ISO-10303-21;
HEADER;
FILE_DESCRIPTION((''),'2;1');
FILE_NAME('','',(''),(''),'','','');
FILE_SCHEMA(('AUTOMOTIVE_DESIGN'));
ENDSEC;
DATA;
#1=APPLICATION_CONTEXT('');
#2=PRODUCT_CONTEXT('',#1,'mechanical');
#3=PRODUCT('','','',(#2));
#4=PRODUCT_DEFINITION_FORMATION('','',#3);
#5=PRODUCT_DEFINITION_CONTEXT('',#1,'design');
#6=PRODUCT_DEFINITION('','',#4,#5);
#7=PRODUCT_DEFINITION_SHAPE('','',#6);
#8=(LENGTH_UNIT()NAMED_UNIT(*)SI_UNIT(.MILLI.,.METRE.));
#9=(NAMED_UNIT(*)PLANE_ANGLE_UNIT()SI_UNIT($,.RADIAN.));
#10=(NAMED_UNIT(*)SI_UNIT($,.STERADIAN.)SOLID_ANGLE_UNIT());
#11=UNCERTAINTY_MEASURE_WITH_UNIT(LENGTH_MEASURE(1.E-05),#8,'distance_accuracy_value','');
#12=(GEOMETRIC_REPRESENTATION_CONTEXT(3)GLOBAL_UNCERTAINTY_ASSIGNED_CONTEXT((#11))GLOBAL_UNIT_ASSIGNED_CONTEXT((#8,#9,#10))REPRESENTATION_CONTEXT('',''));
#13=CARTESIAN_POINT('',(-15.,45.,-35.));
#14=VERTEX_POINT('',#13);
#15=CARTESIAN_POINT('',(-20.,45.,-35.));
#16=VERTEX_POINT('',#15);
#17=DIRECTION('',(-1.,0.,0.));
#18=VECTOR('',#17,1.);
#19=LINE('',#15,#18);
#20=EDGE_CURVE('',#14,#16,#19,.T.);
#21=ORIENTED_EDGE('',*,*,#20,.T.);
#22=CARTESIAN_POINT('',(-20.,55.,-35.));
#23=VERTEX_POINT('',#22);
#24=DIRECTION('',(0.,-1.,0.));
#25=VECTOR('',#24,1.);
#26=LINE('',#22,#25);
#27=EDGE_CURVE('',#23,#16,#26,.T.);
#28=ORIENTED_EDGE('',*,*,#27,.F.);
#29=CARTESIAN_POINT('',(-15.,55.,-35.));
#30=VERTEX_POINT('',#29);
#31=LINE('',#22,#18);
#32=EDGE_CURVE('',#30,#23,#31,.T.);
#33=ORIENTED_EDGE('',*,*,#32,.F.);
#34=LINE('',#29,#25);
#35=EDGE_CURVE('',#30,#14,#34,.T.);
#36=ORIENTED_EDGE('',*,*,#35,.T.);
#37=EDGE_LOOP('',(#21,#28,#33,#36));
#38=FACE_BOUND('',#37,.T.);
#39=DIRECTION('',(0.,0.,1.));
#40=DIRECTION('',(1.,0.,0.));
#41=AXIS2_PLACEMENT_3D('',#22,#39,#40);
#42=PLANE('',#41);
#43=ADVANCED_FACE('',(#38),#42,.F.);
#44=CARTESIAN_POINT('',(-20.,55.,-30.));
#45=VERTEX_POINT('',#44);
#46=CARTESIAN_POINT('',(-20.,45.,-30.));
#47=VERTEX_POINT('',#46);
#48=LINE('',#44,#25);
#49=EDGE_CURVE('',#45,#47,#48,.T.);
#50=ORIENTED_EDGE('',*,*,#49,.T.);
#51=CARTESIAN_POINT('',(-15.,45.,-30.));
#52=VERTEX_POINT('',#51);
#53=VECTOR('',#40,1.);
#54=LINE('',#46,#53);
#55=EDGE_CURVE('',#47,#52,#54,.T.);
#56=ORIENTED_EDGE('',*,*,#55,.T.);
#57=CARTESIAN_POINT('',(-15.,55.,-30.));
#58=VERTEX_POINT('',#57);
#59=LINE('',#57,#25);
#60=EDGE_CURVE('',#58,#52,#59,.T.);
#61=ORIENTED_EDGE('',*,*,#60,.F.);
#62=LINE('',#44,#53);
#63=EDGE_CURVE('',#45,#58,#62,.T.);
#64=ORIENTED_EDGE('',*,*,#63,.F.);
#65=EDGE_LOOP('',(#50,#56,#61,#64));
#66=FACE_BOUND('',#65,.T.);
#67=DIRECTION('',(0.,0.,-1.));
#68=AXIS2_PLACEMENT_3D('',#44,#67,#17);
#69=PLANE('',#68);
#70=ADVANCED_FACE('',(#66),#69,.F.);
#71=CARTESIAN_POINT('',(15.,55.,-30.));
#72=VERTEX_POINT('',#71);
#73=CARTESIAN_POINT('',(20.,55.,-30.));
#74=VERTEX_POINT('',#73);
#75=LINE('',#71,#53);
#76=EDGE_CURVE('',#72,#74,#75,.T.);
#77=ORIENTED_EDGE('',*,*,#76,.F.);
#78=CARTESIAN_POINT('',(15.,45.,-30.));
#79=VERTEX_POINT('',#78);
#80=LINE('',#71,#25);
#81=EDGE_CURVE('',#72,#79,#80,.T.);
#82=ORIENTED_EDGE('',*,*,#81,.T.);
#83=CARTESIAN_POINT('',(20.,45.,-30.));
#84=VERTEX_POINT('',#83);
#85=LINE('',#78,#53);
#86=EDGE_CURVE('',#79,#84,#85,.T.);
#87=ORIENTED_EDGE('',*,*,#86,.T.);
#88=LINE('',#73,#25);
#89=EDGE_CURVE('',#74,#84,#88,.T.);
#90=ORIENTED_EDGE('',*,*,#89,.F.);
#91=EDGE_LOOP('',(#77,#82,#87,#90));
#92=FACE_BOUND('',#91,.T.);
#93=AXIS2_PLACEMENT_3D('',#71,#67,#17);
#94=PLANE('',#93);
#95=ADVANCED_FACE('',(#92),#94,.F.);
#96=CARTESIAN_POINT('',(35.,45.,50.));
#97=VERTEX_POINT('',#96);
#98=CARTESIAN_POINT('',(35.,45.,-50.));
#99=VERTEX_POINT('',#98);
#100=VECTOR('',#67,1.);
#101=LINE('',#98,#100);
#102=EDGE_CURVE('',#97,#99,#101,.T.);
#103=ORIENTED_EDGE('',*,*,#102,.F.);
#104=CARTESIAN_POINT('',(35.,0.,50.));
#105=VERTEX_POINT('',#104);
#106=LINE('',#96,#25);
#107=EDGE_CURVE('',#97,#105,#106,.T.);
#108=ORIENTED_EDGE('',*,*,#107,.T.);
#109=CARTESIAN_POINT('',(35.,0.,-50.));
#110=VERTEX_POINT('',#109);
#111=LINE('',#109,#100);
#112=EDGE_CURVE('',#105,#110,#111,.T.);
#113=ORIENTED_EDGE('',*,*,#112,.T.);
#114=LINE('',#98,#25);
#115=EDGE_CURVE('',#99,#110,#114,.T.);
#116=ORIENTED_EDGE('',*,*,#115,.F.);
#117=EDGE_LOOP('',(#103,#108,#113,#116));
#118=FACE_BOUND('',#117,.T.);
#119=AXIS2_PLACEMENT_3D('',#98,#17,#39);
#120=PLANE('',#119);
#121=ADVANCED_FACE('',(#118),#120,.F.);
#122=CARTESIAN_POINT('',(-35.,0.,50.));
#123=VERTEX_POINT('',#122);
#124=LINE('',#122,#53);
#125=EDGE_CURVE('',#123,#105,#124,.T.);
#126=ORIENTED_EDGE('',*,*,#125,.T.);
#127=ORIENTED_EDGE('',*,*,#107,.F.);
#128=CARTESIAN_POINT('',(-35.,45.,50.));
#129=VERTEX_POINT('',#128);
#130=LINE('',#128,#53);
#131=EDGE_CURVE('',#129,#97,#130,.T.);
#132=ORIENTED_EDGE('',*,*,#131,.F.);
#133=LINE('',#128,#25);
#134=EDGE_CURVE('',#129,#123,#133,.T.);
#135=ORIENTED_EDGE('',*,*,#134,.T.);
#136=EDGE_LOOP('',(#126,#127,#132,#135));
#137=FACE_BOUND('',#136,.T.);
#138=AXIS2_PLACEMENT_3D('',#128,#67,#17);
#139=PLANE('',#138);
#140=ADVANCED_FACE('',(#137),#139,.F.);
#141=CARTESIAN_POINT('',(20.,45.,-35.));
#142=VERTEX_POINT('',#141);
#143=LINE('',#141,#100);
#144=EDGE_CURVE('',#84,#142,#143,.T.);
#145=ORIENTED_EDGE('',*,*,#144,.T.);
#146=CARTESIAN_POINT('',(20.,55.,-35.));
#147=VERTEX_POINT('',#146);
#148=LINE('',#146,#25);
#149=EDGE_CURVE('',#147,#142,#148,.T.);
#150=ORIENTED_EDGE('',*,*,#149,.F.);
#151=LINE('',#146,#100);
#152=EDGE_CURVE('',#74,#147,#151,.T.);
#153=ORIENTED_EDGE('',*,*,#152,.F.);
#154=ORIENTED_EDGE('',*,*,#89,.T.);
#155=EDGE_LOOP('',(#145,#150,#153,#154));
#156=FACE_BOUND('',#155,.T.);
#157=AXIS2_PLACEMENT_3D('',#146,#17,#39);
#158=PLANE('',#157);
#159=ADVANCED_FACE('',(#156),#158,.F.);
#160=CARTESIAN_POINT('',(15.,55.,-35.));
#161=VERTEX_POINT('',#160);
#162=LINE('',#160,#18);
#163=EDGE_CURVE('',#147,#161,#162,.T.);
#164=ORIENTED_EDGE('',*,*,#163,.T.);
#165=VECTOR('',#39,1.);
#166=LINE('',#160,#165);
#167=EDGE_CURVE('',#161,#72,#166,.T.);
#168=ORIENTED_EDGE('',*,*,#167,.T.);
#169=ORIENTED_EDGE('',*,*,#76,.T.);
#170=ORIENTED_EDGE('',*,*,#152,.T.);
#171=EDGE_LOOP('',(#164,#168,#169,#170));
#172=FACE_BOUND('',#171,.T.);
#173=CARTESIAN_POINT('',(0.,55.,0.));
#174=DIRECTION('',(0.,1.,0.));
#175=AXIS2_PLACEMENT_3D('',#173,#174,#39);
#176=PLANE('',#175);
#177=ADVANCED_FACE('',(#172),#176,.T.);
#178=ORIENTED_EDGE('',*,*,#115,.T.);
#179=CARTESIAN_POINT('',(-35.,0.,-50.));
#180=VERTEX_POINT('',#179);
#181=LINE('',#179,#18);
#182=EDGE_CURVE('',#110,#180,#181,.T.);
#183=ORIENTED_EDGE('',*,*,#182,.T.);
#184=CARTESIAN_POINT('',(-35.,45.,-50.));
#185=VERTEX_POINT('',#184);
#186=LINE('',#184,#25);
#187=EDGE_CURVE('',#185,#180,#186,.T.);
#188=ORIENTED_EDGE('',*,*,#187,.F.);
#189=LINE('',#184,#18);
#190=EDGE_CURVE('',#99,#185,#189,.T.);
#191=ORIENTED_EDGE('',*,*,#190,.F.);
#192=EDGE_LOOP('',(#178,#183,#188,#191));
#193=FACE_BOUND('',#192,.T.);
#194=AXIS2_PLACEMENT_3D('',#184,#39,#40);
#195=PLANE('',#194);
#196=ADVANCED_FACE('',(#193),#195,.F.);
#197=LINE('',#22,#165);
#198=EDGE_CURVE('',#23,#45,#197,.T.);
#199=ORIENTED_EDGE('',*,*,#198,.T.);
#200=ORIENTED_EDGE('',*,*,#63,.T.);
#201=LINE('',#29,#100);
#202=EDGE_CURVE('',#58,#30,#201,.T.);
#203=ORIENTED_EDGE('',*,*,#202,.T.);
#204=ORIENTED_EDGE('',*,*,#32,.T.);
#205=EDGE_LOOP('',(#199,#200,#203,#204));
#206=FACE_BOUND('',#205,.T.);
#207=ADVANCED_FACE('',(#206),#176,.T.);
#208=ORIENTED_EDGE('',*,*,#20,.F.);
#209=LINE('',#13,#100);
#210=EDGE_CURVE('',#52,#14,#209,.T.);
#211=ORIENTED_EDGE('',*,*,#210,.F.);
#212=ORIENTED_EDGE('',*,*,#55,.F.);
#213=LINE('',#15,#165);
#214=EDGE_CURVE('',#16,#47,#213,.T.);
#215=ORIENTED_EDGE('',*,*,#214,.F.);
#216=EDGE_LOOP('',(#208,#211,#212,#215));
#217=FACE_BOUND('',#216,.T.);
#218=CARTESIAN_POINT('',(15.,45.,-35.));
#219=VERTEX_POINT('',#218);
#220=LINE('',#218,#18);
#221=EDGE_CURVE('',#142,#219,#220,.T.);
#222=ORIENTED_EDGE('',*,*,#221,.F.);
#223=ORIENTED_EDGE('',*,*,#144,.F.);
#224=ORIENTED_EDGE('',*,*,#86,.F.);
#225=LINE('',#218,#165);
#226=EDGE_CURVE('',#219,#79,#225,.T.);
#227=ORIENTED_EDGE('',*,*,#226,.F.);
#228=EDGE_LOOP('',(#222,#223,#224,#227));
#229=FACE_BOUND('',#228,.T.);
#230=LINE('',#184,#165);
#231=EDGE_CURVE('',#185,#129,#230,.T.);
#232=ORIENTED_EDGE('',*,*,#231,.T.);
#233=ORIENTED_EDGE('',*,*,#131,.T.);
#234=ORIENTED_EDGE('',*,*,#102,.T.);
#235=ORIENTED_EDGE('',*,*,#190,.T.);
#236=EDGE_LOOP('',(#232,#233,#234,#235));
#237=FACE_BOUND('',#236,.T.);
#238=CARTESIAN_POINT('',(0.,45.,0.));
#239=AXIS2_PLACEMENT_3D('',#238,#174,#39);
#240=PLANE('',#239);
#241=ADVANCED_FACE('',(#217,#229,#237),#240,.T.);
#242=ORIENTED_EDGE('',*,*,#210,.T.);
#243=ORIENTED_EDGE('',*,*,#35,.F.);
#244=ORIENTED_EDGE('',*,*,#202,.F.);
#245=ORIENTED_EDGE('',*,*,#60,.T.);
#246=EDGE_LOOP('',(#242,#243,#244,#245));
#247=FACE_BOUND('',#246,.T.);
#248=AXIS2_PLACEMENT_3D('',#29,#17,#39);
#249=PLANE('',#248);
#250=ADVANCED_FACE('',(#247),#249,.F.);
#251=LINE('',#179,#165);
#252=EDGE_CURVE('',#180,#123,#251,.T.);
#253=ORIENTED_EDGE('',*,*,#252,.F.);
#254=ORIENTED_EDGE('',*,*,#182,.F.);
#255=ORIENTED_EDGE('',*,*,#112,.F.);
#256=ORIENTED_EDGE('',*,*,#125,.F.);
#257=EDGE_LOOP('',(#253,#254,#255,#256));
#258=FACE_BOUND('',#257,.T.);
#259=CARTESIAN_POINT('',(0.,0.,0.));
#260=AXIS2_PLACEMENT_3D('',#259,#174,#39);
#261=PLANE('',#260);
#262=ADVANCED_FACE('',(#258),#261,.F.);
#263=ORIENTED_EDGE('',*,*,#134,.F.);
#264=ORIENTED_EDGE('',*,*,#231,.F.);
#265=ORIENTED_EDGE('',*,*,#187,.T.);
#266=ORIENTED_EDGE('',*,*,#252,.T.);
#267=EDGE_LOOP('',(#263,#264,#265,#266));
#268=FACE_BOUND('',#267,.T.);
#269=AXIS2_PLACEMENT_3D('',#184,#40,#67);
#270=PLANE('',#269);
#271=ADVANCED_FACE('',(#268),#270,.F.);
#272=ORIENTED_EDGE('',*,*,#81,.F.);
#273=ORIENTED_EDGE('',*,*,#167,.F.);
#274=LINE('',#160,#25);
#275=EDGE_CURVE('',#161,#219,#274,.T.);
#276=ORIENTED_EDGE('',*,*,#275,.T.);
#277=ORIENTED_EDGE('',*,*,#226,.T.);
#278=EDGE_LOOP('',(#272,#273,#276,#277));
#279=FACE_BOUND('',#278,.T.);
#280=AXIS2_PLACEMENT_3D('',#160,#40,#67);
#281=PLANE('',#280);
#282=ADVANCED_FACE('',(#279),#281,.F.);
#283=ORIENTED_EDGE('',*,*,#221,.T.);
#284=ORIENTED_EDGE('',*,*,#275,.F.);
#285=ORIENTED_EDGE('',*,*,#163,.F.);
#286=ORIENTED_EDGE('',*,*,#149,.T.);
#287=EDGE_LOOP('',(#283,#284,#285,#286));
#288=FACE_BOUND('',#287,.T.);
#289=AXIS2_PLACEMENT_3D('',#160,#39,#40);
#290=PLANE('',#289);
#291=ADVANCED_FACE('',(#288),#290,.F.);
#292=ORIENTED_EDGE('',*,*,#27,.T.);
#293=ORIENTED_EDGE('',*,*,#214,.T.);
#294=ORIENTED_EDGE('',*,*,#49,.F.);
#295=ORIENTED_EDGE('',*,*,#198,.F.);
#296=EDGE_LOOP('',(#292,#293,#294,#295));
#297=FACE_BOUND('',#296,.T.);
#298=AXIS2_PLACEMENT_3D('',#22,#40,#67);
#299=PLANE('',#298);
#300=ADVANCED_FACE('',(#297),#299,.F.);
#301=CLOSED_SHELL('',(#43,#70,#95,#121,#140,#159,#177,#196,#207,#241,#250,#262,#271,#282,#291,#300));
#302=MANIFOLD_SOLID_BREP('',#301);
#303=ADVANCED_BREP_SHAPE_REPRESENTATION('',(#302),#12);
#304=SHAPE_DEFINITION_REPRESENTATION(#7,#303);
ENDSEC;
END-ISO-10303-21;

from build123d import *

# Parameters (mm, degrees)
SKETCH_1_W      = 70
SKETCH_1_H      = 100
EXTRUDE_1_DEPTH = 45
SKETCH_2_W      = 5
SKETCH_2_H      = 5
EXTRUDE_2_DEPTH = 10


with BuildPart() as part:
    # 草图1 → 凸台-拉伸1 (new body)
    with BuildSketch(Plane(origin=(0, 0, 0), x_dir=(1, 0, 0), z_dir=(0, 1, 0))):
        Rectangle(SKETCH_1_W, SKETCH_1_H)
    extrude(amount=EXTRUDE_1_DEPTH)

    # 草图2 → 凸台-拉伸2 (add)
    with BuildSketch(Plane(origin=(0, 45, 0), x_dir=(1, 0, 0), z_dir=(0, 1, 0))):
        with Locations((17.5, 32.5)):
            Rectangle(SKETCH_2_W, SKETCH_2_H)
        with Locations((-17.5, 32.5)):
            Rectangle(SKETCH_2_W, SKETCH_2_H)
    extrude(amount=EXTRUDE_2_DEPTH)


solid = part.part
